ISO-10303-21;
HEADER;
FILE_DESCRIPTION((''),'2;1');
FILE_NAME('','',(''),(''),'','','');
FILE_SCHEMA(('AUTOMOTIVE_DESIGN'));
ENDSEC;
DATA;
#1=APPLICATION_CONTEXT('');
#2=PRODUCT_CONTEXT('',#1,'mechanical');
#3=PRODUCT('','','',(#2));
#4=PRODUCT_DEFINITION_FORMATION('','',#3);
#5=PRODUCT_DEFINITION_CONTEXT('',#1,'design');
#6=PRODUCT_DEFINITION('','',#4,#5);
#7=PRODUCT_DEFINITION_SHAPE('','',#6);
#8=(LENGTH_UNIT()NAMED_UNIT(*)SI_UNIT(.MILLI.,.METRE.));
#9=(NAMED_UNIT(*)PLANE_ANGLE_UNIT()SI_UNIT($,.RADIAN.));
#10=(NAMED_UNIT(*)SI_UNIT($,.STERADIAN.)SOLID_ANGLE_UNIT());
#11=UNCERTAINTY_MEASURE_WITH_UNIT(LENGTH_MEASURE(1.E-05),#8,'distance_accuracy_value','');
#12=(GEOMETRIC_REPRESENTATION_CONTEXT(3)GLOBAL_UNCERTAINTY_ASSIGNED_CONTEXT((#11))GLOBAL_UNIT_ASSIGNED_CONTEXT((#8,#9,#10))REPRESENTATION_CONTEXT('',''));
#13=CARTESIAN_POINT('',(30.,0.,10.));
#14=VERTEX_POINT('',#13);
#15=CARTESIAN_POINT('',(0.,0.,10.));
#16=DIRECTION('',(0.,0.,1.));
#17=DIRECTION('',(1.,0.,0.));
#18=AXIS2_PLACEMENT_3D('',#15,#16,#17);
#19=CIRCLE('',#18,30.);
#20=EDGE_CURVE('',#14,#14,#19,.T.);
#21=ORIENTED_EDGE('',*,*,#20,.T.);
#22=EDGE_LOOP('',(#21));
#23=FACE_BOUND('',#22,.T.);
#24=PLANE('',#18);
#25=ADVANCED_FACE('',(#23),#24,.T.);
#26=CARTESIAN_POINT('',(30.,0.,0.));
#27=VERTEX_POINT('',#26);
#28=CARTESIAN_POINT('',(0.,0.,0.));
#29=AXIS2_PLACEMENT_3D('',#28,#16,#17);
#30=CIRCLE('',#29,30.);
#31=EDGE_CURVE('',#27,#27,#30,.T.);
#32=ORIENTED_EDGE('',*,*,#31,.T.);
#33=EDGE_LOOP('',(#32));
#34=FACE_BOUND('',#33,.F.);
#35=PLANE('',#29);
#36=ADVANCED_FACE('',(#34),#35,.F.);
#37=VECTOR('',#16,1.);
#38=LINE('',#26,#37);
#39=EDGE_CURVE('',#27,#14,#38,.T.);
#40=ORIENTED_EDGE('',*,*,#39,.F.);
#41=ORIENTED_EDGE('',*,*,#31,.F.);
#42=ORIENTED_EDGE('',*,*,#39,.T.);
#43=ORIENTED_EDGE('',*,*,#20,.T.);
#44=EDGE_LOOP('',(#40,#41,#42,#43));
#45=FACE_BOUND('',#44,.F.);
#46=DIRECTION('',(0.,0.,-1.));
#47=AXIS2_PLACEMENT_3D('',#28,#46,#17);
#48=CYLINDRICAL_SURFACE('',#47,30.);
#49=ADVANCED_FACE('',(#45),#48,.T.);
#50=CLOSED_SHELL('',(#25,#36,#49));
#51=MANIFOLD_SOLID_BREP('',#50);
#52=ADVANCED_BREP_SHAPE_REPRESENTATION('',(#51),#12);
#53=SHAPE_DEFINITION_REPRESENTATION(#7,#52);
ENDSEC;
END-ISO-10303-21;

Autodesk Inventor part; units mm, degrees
ref_plane "YZ Plane" through (0, 0, 0) normal (1, 0, 0) x (0, 1, 0)
ref_plane "XZ Plane" through (0, 0, 0) normal (0, 1, 0) x (-1, 0, 0)
ref_plane "XY Plane" through (0, 0, 0) normal (0, 0, 1) x (1, 0, 0)
sketch "Skizze1" plane through (0, 0, 0) normal (0, 0, 1) x (1, 0, 0)
  circle A0 centre (0, 0) radius 30
  dimension "d0" = 60
extrude "Extrusion1" add sketch "Skizze1" along normal blind 10
properties part number "BaneBots2375"
